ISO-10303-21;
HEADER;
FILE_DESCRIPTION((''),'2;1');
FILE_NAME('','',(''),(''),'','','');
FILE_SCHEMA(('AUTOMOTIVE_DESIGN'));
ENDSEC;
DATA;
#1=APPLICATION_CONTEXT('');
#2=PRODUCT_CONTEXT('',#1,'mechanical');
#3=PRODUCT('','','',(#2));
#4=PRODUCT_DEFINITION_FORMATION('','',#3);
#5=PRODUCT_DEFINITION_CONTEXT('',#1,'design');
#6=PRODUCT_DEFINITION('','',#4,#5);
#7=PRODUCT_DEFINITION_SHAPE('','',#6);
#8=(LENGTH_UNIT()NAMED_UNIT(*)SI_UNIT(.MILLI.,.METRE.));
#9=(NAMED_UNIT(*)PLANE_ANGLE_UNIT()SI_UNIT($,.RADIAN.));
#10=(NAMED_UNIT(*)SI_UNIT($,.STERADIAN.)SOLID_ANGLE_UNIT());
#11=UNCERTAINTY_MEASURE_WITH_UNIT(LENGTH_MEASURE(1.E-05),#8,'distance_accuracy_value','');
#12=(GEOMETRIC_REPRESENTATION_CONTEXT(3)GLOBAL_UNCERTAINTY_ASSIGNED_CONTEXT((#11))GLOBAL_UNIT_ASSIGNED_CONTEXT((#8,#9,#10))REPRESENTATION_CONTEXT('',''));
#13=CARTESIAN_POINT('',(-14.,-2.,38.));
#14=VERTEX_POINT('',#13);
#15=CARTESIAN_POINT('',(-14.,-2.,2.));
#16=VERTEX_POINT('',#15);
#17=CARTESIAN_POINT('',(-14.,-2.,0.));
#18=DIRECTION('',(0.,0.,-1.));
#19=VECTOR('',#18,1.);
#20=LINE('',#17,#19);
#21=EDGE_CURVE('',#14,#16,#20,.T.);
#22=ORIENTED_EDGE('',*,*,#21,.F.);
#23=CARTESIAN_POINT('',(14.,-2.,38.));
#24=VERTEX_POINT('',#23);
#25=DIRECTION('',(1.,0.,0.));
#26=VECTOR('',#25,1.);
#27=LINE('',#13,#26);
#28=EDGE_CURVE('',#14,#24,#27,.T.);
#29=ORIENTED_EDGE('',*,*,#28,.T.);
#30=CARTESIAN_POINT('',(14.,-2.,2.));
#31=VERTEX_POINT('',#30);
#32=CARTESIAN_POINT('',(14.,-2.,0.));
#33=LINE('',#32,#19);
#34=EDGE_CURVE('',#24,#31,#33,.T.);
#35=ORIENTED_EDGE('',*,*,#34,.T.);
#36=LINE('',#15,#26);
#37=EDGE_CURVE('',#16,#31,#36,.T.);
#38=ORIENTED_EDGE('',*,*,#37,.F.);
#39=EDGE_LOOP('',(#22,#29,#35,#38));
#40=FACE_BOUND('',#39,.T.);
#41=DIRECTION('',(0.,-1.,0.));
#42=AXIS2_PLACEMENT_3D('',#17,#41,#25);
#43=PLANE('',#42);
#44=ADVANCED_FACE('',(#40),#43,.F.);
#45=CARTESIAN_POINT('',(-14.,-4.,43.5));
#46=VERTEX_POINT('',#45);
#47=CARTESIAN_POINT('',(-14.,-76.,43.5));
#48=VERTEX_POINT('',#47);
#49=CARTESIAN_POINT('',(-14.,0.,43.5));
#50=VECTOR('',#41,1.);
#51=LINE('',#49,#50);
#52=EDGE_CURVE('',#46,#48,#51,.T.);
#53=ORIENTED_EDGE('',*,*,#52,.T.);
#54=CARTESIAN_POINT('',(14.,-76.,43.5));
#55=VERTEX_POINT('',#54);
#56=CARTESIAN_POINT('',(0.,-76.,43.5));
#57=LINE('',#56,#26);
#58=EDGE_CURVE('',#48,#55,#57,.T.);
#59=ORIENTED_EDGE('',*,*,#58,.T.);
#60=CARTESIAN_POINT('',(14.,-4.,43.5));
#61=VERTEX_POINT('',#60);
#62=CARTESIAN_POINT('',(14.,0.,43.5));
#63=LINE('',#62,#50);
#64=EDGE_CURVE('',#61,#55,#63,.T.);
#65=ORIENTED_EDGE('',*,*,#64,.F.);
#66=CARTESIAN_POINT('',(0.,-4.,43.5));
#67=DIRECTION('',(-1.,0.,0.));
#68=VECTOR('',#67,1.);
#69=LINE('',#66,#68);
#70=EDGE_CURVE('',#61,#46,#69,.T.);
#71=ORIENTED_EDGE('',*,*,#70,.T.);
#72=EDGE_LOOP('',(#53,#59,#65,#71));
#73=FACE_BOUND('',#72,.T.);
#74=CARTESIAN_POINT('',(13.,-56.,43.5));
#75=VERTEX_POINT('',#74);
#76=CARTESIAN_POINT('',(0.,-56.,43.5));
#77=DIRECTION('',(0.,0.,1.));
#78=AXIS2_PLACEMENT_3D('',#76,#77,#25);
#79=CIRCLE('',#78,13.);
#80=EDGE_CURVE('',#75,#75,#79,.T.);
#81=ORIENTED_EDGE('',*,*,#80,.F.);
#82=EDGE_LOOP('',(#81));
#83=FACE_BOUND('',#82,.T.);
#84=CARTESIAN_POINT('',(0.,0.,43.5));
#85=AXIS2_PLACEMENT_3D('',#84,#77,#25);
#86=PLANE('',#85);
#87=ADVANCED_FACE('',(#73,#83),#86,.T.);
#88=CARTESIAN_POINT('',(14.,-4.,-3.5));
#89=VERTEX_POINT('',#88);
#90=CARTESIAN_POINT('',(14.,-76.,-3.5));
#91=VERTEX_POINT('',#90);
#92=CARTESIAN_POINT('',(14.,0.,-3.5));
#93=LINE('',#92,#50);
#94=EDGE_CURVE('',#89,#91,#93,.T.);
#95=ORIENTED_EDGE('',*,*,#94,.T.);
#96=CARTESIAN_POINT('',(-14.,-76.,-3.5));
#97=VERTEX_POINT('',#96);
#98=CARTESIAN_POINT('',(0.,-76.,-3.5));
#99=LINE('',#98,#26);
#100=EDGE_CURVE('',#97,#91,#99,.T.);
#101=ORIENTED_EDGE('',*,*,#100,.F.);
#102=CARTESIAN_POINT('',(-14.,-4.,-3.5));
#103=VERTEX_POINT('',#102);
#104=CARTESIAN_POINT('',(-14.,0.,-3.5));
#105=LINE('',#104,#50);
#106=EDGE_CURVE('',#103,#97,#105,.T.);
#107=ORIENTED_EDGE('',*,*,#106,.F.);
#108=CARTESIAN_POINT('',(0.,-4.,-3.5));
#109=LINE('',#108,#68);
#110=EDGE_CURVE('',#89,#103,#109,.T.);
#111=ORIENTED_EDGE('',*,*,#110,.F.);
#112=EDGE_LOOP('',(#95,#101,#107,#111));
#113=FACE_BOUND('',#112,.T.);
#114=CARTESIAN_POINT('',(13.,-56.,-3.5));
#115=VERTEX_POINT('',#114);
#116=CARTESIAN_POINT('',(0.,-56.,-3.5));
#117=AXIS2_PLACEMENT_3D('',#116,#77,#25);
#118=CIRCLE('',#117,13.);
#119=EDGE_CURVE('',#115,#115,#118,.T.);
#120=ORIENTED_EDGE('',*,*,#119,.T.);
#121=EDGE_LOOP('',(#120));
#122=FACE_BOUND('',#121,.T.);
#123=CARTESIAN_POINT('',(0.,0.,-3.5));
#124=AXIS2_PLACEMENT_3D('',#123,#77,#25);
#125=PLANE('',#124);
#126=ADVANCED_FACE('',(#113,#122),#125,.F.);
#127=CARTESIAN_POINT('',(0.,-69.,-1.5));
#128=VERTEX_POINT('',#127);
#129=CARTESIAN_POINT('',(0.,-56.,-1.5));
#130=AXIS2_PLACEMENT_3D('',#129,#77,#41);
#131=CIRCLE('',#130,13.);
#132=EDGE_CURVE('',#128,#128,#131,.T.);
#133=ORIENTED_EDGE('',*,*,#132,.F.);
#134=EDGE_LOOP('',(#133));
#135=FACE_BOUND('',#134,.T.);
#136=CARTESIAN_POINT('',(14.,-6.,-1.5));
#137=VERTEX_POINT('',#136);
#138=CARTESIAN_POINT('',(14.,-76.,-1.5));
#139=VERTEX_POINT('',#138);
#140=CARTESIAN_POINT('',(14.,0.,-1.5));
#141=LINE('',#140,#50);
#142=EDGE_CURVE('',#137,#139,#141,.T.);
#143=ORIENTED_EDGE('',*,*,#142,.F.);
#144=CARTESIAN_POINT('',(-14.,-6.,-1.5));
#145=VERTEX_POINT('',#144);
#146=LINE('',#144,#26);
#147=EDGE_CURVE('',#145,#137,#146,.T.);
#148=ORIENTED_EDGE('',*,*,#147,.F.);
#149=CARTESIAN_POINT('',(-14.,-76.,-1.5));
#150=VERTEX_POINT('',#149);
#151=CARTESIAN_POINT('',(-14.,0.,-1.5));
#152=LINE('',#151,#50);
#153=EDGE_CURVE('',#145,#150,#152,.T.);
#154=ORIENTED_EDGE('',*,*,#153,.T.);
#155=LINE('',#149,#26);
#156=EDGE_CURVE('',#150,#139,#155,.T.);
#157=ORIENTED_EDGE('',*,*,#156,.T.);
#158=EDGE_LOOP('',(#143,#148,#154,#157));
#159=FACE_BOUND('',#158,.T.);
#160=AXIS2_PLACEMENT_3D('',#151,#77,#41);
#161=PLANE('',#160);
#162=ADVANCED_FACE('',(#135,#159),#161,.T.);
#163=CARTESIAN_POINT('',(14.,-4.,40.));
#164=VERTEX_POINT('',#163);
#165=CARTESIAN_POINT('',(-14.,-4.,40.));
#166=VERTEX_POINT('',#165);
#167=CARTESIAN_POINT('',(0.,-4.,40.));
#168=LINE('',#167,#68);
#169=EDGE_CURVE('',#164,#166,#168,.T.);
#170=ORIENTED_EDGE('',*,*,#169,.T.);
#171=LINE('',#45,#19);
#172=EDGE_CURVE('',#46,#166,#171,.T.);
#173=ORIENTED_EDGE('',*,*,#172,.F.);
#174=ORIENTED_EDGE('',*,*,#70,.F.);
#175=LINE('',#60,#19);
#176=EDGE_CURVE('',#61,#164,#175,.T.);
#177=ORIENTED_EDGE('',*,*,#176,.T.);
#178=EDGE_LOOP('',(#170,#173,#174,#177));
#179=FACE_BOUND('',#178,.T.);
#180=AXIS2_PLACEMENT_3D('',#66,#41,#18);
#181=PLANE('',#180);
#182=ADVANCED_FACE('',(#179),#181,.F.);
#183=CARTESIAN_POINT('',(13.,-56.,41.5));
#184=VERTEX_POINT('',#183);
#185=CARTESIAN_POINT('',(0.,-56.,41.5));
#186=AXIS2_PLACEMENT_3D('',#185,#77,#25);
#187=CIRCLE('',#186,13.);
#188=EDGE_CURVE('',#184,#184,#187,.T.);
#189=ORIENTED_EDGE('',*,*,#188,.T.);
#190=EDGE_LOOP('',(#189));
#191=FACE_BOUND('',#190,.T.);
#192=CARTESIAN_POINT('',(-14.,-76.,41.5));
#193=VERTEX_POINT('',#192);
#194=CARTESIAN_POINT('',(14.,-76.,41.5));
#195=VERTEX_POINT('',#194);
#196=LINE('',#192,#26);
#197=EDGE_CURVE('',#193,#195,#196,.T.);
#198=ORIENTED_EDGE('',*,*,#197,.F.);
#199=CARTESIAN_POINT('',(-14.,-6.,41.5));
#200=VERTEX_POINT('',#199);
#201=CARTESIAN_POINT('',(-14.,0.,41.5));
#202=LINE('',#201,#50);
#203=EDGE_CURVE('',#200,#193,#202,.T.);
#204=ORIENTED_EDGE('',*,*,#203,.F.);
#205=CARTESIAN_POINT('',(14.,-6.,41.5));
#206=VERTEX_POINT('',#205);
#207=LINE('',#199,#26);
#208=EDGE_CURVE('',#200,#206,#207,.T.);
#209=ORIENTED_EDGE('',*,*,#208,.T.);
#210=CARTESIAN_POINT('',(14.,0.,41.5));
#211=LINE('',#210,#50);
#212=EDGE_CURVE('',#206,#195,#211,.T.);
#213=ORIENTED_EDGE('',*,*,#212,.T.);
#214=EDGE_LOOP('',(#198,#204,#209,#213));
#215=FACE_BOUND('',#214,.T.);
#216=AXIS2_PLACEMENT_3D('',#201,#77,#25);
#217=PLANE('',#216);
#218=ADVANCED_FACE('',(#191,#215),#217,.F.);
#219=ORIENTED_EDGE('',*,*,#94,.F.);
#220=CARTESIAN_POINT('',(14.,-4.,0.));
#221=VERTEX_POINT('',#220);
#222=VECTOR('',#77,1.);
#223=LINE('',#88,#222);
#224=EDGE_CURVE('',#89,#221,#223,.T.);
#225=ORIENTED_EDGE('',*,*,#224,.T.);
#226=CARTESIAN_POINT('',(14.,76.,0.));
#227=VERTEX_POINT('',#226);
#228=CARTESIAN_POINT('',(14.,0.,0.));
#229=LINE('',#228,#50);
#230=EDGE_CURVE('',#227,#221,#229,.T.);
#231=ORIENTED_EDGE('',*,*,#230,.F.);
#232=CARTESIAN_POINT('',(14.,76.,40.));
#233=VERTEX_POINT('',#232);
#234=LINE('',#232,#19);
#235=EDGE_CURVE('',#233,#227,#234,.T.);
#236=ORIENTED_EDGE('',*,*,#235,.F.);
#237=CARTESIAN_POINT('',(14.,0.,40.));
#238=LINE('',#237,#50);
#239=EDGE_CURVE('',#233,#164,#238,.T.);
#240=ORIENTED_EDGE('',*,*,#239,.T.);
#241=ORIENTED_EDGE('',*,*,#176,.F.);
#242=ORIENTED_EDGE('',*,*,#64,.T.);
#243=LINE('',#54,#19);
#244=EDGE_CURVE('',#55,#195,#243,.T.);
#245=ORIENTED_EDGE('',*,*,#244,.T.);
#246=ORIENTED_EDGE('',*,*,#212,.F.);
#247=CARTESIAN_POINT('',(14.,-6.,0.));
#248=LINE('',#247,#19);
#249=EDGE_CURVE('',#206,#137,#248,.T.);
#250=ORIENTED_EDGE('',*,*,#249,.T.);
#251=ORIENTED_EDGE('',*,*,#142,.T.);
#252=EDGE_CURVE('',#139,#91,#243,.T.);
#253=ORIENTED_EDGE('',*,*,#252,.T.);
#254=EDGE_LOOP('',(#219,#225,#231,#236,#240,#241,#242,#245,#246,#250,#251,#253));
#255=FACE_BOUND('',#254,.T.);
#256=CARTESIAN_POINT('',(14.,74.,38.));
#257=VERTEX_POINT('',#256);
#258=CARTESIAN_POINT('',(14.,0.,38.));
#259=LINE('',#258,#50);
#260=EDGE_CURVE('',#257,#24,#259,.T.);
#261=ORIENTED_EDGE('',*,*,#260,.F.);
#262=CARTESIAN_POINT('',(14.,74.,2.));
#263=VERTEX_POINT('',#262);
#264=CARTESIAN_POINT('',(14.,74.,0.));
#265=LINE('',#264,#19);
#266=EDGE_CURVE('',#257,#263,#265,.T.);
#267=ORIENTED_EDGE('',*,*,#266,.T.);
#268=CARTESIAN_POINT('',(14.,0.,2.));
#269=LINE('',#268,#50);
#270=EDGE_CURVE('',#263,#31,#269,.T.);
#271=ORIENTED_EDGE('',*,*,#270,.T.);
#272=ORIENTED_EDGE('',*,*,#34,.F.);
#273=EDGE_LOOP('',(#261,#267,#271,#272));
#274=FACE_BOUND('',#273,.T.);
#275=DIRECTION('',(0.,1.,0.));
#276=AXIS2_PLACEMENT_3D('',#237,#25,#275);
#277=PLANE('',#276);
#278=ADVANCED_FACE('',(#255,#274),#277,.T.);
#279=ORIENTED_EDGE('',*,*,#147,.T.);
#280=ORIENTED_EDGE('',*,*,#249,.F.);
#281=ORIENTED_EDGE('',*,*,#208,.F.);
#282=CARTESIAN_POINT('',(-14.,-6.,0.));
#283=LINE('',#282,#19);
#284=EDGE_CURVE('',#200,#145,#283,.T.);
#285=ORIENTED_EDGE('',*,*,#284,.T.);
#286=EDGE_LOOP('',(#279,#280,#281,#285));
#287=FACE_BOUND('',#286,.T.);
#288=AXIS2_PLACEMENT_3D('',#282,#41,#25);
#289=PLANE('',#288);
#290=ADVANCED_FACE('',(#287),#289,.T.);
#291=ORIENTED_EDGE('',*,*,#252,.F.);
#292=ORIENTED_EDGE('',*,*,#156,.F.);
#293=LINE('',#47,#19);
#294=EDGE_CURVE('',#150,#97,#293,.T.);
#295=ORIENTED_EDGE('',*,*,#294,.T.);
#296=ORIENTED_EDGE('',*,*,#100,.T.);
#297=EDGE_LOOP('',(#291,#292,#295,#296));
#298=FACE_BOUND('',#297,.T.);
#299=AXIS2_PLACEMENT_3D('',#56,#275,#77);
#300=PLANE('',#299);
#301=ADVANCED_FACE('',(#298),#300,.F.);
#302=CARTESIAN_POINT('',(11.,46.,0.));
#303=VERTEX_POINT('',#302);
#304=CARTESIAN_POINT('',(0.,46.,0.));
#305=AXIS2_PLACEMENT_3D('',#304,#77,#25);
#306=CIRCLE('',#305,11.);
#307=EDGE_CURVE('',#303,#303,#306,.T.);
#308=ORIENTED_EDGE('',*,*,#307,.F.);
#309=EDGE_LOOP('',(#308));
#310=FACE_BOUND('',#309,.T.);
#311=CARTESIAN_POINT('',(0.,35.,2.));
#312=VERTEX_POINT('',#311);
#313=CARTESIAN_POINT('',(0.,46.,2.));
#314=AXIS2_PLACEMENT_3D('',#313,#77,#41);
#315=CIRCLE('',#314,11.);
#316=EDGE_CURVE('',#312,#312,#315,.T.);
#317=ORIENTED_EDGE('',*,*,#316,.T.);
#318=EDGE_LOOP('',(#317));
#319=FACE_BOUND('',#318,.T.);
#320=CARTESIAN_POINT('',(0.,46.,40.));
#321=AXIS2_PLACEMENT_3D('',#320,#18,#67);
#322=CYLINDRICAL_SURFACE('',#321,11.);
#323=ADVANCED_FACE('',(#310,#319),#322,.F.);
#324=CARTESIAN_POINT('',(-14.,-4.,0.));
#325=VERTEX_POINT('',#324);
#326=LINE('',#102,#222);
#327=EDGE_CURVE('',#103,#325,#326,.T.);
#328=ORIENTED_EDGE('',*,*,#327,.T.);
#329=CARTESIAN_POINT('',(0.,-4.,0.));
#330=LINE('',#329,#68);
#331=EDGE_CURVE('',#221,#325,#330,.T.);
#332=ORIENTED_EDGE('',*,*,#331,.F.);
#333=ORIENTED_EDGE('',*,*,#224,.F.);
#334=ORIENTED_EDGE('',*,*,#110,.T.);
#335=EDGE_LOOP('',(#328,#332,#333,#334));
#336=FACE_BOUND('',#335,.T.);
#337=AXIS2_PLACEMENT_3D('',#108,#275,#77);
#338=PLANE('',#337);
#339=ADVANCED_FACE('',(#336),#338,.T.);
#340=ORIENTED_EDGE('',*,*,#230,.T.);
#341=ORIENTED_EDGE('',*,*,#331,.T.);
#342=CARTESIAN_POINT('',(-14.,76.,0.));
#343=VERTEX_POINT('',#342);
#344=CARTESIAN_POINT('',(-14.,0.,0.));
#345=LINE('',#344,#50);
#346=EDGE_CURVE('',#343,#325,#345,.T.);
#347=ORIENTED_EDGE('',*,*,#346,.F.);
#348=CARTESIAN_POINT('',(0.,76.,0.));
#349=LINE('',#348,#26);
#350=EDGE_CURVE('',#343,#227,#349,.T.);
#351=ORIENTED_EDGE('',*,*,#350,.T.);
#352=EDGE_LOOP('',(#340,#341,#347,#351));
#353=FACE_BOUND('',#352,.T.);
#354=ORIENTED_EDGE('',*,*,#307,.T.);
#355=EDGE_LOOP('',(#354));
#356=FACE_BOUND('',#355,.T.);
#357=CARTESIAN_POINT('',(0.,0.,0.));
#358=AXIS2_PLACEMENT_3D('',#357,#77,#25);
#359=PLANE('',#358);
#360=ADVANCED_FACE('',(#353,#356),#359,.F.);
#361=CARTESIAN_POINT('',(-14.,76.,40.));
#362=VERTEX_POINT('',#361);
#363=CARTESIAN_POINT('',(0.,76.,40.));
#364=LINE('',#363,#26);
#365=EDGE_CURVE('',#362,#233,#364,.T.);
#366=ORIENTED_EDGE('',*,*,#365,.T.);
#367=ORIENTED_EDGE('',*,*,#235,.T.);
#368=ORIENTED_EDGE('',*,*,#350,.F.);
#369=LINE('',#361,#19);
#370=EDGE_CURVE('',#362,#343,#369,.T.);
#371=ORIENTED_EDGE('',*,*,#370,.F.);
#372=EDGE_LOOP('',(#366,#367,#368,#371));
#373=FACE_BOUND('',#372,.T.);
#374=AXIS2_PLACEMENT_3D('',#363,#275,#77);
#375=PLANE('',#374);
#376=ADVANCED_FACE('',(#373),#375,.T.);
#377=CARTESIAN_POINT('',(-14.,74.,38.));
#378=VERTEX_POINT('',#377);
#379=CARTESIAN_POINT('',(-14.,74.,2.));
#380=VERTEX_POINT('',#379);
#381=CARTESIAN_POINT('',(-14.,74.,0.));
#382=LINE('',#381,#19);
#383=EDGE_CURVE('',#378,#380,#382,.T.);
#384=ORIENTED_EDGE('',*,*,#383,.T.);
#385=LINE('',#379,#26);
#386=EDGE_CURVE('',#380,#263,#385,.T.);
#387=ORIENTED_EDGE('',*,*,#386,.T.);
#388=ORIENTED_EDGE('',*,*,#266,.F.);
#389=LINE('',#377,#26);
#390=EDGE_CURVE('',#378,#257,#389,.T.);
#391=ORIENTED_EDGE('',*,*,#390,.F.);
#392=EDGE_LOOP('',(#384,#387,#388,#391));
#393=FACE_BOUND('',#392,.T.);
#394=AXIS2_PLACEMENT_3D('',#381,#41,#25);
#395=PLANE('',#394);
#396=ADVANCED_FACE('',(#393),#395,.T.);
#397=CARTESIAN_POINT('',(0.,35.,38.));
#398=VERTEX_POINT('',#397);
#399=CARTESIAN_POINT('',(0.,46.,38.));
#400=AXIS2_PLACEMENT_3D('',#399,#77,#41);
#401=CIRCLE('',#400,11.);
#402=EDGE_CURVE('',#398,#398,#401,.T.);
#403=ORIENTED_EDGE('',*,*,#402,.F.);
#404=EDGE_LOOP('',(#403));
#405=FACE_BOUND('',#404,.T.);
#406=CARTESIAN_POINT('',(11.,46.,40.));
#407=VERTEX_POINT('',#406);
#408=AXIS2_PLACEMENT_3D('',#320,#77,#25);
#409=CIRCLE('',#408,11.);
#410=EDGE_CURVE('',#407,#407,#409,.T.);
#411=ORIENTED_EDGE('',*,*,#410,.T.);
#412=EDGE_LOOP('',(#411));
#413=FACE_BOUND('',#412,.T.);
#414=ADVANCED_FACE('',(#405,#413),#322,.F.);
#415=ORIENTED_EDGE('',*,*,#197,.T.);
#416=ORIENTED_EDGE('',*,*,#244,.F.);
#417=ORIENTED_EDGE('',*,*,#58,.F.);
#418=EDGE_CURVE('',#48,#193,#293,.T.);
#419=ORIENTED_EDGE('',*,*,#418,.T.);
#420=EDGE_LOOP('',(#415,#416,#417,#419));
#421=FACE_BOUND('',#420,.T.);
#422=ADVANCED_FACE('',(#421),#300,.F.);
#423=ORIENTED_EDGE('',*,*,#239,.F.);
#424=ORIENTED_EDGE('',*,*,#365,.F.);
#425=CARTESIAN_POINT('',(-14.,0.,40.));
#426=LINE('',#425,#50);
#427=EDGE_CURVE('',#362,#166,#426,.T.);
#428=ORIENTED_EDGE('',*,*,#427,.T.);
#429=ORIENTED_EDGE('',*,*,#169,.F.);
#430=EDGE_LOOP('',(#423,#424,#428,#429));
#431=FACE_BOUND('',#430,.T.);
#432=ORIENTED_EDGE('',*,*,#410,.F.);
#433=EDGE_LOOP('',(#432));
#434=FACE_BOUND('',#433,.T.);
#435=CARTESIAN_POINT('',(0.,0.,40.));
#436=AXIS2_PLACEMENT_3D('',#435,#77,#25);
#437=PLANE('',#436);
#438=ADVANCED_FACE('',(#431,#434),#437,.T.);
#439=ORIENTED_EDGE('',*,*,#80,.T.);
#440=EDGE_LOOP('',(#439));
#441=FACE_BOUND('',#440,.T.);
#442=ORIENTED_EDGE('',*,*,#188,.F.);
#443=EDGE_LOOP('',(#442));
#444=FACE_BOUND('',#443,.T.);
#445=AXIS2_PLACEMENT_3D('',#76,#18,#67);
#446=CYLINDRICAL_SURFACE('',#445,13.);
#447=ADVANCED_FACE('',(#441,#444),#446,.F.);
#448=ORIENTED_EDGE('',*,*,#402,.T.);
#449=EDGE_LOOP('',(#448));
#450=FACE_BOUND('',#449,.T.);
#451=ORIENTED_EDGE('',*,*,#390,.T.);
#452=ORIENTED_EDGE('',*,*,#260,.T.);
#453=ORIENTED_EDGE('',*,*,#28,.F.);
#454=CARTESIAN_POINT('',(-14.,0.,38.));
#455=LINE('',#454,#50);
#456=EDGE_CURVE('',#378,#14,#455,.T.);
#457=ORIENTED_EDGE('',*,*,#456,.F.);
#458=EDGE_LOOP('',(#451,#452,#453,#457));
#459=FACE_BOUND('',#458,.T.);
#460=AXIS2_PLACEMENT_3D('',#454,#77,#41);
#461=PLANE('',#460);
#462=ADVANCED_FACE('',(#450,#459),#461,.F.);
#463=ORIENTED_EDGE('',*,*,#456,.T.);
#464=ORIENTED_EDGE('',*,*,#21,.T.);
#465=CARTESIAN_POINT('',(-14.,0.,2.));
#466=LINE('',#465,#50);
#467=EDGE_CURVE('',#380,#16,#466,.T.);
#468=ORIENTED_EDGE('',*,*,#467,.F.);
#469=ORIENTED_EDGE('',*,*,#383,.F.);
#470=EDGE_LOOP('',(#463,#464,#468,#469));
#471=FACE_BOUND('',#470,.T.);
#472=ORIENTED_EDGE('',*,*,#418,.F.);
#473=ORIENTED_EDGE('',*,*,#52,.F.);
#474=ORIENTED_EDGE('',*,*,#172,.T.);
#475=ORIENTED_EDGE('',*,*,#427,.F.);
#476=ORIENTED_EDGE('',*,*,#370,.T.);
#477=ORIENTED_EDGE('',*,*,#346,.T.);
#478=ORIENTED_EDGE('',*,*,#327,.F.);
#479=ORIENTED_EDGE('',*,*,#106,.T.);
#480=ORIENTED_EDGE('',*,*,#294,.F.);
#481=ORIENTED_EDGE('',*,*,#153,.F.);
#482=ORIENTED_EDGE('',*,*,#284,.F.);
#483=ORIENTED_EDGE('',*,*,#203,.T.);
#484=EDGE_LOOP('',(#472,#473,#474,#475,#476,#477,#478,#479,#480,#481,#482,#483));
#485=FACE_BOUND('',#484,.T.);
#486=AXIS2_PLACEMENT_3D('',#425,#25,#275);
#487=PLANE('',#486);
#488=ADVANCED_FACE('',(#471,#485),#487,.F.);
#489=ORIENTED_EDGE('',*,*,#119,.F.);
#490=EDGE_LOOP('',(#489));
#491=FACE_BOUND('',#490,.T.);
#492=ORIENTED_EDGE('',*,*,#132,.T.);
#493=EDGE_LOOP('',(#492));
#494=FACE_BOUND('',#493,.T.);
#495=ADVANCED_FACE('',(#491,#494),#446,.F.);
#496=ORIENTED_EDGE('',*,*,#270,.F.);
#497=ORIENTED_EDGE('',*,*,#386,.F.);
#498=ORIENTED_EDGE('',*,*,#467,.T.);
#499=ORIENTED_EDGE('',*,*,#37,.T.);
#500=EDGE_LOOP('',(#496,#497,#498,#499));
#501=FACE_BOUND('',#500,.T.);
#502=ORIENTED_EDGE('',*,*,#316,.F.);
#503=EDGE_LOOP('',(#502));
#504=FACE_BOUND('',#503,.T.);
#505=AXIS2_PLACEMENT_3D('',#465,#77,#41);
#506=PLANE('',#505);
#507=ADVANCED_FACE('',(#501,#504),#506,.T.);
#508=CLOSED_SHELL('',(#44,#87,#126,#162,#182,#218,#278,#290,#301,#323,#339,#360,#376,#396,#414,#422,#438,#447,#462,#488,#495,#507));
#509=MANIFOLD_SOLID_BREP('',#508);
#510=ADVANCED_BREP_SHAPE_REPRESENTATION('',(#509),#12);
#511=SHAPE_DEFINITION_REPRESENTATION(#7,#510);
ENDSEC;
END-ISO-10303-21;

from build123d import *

# Parameters (mm, degrees)
SKETCH1_W           = 28
SKETCH1_H           = 80
SKETCH1_R           = 11
BOSS_EXTRUDE1_DEPTH = 40
SKETCH1_4_W         = 28
SKETCH1_4_H         = 72
SKETCH1_4_R         = 13
BOSS_EXTRUDE2_DEPTH = 43.5
BOSS_EXTRUDE3_START = -3.5
SKETCH1_5_W         = 28
SKETCH1_5_H         = 72
SKETCH1_5_R         = 13
BOSS_EXTRUDE3_DEPTH = 3.5
SKETCH3_W           = 36
SKETCH3_H           = 76
CUT_EXTRUDE1_DEPTH  = 28
SKETCH3_4_W         = 43
SKETCH3_4_H         = 70
CUT_EXTRUDE2_DEPTH  = 28


with BuildPart() as part:
    # Sketch1 → Boss-Extrude1 (new body)
    with BuildSketch(Plane.XY):
        with Locations((0, 36)):
            Rectangle(SKETCH1_W, SKETCH1_H)
        with Locations((0, 46)):
            Circle(SKETCH1_R, mode=Mode.SUBTRACT)
    extrude(amount=BOSS_EXTRUDE1_DEPTH)

    # Sketch1<4> → Boss-Extrude2 (add)
    with BuildSketch(Plane.XY):
        with Locations((0, -40)):
            Rectangle(SKETCH1_4_W, SKETCH1_4_H)
        with Locations((0, -56)):
            Circle(SKETCH1_4_R, mode=Mode.SUBTRACT)
    extrude(amount=BOSS_EXTRUDE2_DEPTH)

    # Sketch1<5> → Boss-Extrude3 (add)
    with BuildSketch(Plane.XY.offset(BOSS_EXTRUDE3_START)):
        with Locations((0, -40)):
            Rectangle(SKETCH1_5_W, SKETCH1_5_H)
        with Locations((0, -56)):
            Circle(SKETCH1_5_R, mode=Mode.SUBTRACT)
    extrude(amount=BOSS_EXTRUDE3_DEPTH)

    # Sketch3 → Cut-Extrude1 (cut)
    with BuildSketch(Plane(origin=(14, 0, 0), x_dir=(0, 0, -1), z_dir=(1, 0, 0))):
        with Locations((-20, 36)):
            Rectangle(SKETCH3_W, SKETCH3_H)
    extrude(amount=-CUT_EXTRUDE1_DEPTH, mode=Mode.SUBTRACT)

    # Sketch3<4> → Cut-Extrude2 (cut)
    with BuildSketch(Plane(origin=(14, 0, 0), x_dir=(0, 0, -1), z_dir=(1, 0, 0))):
        with Locations((-20, -41)):
            Rectangle(SKETCH3_4_W, SKETCH3_4_H)
    extrude(amount=-CUT_EXTRUDE2_DEPTH, mode=Mode.SUBTRACT)


solid = part.part
